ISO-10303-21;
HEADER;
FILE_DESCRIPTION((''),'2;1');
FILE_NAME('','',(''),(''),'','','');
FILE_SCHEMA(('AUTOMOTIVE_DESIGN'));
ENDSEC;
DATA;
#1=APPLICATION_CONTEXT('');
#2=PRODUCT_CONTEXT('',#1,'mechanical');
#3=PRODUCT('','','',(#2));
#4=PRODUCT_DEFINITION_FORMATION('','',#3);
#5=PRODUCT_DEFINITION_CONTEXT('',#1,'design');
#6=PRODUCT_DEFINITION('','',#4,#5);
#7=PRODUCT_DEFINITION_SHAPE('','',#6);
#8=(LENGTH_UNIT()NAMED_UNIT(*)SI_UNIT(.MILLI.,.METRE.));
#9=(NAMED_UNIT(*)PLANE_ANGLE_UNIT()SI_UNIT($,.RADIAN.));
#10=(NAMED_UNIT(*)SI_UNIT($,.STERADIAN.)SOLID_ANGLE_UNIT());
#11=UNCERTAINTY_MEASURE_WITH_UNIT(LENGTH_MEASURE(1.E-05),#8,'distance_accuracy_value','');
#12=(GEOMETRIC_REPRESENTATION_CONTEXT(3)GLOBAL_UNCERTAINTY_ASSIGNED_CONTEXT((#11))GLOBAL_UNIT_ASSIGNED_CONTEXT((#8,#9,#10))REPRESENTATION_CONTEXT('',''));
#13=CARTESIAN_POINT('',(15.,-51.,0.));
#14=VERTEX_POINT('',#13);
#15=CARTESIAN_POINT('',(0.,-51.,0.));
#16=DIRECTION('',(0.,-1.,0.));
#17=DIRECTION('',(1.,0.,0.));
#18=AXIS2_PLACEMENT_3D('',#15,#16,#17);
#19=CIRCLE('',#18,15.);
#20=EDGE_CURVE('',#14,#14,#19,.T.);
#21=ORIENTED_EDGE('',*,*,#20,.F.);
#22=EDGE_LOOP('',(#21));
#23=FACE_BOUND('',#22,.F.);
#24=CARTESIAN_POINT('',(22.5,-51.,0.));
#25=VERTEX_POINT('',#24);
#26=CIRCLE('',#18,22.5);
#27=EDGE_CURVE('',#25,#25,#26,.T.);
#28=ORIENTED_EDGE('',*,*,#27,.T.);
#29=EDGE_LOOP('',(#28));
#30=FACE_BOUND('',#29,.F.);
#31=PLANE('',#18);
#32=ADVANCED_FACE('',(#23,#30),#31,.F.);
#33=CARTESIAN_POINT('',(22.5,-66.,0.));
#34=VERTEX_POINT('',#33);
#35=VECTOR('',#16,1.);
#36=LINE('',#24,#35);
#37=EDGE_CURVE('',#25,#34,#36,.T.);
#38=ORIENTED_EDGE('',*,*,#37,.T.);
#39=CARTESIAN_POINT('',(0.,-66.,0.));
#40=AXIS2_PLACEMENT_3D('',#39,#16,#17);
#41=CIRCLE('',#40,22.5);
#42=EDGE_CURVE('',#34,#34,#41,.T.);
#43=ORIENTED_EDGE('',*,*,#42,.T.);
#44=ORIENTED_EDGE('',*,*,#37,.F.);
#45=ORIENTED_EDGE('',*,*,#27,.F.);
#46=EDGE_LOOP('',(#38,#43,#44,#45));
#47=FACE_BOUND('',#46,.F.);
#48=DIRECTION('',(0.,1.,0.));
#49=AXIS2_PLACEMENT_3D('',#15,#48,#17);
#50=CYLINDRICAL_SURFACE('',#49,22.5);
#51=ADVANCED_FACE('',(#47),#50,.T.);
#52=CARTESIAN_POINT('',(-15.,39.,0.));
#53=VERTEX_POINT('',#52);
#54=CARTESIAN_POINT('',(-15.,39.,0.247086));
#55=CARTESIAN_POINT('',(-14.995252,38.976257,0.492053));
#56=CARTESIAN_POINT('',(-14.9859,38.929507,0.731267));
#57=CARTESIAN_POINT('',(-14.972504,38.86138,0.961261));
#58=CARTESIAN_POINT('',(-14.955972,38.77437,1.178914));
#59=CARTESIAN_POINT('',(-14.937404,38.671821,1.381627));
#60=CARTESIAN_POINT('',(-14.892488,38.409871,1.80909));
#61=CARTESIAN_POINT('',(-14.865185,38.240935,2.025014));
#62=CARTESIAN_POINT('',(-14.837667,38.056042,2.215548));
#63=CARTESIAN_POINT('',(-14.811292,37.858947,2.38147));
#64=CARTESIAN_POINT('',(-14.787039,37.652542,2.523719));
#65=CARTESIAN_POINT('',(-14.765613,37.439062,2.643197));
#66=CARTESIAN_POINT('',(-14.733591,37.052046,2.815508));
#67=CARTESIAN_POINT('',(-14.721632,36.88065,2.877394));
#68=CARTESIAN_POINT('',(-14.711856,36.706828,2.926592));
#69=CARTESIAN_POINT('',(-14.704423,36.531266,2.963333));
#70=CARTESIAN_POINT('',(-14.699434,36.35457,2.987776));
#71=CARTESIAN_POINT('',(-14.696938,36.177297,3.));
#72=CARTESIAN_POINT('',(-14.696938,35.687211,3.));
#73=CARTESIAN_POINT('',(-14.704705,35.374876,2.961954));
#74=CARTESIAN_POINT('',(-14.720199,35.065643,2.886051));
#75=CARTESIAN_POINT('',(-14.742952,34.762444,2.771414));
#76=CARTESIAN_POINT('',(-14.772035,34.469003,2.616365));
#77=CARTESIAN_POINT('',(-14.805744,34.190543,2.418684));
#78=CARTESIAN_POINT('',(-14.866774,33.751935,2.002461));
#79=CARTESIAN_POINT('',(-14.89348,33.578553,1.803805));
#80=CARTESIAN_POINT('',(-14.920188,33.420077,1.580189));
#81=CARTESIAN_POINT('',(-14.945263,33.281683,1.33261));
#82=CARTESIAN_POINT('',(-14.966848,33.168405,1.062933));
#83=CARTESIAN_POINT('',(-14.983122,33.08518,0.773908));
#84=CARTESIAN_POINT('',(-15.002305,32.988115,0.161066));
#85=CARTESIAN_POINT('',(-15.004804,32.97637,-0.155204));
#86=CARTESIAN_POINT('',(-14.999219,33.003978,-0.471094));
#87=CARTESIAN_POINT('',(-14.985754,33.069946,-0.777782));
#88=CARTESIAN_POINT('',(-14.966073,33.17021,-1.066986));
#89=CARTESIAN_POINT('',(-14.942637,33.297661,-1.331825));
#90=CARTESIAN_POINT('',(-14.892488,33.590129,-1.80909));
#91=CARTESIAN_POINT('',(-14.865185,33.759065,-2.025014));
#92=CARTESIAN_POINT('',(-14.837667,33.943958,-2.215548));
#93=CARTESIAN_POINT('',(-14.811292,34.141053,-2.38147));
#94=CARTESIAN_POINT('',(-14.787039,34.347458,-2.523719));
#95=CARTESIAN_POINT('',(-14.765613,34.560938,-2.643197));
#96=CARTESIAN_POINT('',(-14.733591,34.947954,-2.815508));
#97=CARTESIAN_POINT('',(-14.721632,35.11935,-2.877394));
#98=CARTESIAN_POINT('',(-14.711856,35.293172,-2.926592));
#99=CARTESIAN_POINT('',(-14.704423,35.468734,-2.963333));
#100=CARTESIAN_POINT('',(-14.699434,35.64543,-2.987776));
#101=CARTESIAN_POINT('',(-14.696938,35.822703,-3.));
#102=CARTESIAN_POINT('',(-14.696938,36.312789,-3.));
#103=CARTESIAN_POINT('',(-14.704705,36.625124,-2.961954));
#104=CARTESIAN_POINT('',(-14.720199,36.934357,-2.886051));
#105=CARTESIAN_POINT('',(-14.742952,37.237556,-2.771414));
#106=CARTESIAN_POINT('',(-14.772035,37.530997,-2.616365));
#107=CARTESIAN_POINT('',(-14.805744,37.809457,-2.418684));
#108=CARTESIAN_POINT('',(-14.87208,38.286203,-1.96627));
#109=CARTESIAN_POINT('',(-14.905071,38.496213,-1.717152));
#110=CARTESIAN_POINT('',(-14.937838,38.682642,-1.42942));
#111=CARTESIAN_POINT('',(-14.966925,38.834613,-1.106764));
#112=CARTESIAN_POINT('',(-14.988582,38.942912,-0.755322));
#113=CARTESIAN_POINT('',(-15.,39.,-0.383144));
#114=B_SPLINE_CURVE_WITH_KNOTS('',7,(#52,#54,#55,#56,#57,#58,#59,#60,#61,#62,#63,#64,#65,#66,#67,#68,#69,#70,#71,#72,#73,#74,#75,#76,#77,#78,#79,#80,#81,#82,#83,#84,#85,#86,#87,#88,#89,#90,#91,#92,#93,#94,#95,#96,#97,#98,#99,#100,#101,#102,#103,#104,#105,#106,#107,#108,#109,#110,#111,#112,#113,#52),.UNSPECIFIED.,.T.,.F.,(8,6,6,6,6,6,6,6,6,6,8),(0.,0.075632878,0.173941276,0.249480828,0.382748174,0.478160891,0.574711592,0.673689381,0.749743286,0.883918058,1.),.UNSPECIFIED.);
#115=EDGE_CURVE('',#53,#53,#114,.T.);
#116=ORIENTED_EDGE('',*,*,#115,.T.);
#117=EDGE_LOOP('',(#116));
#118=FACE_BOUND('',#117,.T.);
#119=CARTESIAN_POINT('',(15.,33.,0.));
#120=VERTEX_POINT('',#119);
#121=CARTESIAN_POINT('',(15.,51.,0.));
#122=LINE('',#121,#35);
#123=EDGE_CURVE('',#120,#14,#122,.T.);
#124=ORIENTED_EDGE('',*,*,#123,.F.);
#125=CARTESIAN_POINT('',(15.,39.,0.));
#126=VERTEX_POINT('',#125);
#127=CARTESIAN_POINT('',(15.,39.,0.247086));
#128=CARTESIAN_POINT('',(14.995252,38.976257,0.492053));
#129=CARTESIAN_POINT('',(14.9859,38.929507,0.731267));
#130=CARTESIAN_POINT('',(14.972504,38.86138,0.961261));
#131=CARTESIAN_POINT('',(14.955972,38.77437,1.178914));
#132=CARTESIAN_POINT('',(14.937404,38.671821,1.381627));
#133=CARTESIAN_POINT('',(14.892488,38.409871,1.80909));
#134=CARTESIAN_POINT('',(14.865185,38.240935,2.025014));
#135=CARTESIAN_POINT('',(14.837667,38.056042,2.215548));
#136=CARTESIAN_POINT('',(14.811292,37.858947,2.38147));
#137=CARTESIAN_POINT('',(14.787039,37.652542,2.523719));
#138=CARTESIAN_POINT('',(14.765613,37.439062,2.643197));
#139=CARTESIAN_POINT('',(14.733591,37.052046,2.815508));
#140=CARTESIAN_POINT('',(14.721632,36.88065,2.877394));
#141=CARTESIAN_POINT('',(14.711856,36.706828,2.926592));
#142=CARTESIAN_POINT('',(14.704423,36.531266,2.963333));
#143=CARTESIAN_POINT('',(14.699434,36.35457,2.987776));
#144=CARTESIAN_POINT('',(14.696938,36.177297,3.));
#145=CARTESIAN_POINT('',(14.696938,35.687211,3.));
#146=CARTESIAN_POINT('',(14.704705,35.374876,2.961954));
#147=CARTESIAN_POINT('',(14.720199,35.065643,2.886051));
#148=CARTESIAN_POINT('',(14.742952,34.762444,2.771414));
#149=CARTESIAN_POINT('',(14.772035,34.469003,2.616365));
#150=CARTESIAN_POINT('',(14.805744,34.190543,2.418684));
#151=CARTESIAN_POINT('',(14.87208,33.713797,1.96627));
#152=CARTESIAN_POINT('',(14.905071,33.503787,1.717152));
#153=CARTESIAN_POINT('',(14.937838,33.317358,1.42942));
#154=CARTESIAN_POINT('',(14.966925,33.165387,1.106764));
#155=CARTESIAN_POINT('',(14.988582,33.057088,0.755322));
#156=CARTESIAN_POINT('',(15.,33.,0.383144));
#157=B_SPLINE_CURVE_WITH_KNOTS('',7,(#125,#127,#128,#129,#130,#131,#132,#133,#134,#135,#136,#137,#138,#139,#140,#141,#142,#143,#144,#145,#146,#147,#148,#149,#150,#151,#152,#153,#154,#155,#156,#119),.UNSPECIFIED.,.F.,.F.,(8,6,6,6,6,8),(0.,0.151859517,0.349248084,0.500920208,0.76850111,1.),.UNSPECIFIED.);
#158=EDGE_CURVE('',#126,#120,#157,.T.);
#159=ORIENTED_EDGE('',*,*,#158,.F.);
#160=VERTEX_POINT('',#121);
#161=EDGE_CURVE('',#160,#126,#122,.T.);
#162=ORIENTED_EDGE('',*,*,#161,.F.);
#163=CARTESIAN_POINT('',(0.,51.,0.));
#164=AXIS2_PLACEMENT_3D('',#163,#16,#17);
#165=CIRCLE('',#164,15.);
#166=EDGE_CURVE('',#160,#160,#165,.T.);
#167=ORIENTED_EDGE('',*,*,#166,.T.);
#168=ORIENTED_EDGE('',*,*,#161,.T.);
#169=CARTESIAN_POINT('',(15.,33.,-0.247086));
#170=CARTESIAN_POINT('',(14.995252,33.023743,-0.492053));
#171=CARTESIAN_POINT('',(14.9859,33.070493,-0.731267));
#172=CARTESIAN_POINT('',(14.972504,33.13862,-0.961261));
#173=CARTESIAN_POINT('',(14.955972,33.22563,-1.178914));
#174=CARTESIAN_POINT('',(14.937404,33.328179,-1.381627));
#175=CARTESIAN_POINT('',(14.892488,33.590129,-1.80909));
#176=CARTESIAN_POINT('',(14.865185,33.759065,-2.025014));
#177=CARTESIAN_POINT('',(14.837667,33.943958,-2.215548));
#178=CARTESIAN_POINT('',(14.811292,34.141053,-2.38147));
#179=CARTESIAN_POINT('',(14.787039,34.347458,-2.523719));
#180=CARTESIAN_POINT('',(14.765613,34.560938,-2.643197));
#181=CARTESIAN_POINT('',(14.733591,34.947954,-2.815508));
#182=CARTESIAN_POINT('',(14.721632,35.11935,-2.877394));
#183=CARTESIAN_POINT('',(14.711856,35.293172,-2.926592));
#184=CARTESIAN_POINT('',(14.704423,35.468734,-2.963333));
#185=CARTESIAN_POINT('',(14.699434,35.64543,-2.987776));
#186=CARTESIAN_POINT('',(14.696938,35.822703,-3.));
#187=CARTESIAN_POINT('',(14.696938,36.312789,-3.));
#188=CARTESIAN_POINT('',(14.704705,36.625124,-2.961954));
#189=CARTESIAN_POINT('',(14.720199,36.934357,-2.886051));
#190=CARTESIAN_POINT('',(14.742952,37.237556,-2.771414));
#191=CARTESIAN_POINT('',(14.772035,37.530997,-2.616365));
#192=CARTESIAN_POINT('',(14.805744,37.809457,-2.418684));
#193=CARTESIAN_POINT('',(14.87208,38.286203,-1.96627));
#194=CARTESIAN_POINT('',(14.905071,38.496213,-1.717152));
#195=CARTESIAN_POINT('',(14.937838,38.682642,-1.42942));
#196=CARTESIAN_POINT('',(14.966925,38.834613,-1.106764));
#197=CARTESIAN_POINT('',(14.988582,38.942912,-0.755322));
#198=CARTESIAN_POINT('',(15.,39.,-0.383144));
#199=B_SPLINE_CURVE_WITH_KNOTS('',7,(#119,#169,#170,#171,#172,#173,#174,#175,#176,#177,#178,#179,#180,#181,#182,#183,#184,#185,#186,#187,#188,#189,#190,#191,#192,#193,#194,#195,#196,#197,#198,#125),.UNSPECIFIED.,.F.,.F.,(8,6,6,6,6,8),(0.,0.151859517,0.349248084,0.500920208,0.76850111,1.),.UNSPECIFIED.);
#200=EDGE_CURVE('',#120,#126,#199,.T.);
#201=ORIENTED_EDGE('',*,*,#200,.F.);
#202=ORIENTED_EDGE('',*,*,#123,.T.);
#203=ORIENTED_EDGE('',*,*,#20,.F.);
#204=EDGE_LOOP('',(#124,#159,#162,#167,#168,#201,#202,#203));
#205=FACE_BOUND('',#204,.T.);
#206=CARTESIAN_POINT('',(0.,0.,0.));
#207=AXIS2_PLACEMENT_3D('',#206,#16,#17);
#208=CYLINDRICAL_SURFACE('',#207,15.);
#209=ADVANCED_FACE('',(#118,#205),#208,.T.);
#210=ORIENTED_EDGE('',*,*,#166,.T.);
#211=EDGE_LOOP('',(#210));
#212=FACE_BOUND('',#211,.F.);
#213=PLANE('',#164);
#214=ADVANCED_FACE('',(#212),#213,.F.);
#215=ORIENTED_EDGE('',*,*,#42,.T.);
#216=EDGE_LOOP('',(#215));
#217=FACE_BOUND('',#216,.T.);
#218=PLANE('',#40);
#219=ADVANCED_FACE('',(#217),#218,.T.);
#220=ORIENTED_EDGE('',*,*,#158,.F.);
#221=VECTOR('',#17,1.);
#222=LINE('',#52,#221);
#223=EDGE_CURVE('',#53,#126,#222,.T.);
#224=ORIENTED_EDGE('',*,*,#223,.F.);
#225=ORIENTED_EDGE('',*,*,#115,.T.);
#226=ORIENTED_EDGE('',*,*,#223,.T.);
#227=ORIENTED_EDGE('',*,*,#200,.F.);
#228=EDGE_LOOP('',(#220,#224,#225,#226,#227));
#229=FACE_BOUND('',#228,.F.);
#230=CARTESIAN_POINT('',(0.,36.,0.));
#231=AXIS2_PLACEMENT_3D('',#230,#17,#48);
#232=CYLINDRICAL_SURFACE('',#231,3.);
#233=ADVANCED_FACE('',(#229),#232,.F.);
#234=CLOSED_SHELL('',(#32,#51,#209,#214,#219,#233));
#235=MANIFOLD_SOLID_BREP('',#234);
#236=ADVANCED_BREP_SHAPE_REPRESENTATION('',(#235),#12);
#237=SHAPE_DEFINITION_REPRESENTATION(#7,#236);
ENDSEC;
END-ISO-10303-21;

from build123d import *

# Parameters (mm, degrees)
F0_R     = 15
F1_DEPTH = 51
F2_R     = 22.5
F3_DEPTH = 15
F4_R     = 3
F5_DEPTH = 15


with BuildPart() as f1:
    # F0 (on Front) → F1 (new body, symmetric)
    with BuildSketch(Plane.XZ):
        Circle(F0_R)
    extrude(amount=F1_DEPTH, both=True)

    # F2 (on face) → F3 (join)
    with BuildSketch(Plane.XZ.offset(51)):
        Circle(F2_R)
    extrude(amount=F3_DEPTH)

    # F4 (on Right) → F5 (cut, symmetric)
    with BuildSketch(Plane.YZ):
        with Locations((36, 0)):
            Circle(F4_R)
    extrude(amount=F5_DEPTH, both=True, mode=Mode.SUBTRACT)


solid = f1.part
